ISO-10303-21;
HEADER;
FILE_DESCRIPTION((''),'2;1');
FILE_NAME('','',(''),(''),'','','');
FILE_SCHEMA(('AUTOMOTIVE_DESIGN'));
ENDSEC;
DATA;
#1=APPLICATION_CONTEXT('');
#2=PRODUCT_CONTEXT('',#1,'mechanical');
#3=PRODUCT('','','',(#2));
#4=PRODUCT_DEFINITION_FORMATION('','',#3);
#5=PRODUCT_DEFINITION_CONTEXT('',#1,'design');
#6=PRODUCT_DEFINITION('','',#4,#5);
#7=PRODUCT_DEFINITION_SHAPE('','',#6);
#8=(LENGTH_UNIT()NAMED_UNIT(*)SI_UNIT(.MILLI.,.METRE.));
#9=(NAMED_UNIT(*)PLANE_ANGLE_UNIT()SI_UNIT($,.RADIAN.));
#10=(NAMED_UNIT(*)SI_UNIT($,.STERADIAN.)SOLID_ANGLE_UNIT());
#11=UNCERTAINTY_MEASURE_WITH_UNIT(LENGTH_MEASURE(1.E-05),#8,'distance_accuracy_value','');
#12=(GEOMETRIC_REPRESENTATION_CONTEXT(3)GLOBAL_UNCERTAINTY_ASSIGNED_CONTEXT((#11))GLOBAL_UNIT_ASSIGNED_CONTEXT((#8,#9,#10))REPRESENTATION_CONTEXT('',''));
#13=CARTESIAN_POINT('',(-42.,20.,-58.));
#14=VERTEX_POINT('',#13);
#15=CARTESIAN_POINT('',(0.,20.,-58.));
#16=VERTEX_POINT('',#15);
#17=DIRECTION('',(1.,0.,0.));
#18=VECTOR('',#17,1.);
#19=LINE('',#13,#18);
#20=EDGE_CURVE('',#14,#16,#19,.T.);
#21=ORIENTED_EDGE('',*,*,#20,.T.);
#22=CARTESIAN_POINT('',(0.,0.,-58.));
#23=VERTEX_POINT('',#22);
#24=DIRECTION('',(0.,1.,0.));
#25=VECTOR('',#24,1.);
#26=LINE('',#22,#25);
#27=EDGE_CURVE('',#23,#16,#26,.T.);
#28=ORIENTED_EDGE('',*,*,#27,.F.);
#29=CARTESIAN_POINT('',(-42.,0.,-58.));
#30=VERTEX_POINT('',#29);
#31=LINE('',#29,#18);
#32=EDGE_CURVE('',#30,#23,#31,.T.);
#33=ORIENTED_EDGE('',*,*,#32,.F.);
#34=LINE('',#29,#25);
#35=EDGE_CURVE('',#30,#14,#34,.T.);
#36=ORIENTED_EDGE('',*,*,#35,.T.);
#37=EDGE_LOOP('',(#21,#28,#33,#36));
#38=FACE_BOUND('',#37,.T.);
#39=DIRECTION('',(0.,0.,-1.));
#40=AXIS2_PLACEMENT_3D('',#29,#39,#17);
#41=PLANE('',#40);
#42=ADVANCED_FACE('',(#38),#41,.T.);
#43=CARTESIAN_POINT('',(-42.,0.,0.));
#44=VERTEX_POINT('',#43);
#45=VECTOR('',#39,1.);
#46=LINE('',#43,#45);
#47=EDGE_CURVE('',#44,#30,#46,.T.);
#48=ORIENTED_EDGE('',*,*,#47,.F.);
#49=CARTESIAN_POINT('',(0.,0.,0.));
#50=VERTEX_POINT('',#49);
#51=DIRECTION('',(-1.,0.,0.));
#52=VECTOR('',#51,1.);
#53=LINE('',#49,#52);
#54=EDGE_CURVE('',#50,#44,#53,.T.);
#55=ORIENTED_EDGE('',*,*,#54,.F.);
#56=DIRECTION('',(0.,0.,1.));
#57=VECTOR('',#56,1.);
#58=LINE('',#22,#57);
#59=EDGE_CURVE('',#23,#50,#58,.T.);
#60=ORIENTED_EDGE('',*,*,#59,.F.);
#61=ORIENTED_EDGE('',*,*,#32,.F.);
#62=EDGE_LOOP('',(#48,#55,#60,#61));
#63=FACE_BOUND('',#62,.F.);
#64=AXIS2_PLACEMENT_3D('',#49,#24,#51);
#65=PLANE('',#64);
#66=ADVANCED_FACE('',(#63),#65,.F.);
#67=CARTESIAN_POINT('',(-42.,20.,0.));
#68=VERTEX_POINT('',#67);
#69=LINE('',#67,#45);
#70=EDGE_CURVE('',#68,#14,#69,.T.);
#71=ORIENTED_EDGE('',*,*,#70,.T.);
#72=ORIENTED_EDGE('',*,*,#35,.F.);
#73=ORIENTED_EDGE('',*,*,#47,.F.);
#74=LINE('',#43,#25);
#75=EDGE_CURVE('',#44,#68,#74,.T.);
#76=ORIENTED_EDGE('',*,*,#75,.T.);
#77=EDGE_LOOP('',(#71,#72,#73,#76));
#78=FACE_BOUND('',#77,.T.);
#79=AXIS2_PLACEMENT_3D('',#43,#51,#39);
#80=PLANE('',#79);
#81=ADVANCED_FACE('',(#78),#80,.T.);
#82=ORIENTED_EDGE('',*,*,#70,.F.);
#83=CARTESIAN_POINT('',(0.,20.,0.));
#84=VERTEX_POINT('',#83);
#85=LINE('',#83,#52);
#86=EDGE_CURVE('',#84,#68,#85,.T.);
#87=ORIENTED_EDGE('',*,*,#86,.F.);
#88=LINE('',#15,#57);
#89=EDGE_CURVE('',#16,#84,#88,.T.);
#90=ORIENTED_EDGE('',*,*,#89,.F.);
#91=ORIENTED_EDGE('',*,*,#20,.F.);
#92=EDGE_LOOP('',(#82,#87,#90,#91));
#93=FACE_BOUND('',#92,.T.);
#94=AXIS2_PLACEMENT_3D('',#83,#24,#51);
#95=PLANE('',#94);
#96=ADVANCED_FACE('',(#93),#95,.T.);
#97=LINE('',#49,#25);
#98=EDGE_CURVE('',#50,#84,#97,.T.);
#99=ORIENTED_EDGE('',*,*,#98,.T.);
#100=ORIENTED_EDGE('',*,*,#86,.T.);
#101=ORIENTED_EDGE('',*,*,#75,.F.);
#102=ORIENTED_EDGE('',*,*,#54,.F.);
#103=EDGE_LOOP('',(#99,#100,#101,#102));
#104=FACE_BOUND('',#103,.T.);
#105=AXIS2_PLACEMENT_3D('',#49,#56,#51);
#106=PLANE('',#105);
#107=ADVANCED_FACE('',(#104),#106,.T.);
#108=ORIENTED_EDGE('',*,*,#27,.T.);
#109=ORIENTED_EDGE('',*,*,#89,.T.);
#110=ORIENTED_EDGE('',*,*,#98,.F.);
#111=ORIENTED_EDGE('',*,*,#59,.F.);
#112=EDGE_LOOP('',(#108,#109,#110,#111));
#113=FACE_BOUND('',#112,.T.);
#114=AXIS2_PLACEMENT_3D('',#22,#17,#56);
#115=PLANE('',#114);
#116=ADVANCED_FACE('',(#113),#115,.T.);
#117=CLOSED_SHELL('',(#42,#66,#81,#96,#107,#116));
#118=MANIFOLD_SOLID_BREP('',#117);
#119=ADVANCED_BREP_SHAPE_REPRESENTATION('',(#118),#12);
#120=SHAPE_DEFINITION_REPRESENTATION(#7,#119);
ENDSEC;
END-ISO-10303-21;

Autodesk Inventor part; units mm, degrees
ref_plane "YZ Plane" through (0, 0, 0) normal (1, 0, 0) x (0, 1, 0)
ref_plane "XZ Plane" through (0, 0, 0) normal (0, 1, 0) x (-1, 0, 0)
ref_plane "XY Plane" through (0, 0, 0) normal (0, 0, 1) x (1, 0, 0)
sketch "Sketch1" plane through (0, 0, 0) normal (0, 1, 0) x (-1, 0, 0)
  line L0 (0, 0) -> (42, 0)
  line L1 (42, 0) -> (42, -58)
  line L2 (42, -58) -> (0, -58)
  line L3 (0, -58) -> (0, 0)
  dimension "d0" = 58
  dimension "d1" = 42
extrude "Extrusion1" add sketch "Sketch1" along normal blind 20
sketch "Sketch2" plane through (0, 20, 0) normal (0, 1, 0) x (1, 0, 0)
  line L0 (-29.2926, 35.5201) -> (-17.3649, 35.5201) construction
  line L1 (-17.3649, 35.5201) -> (-17.3649, 9.1969) construction
  line L2 (-17.3649, 9.1969) -> (-29.2926, 9.1969) construction
  line L3 (-29.2926, 9.1969) -> (-29.2926, 35.5201) construction
  spline S0 degree 2 poles (-27.9624, 31.884) (-28.3424, 31.884) (-28.8757, 32.0428) (-29.1111, 32.1562) knots 0 0 0 1 2 2 2
  line L4 (-29.1111, 32.1562) -> (-29.1111, 32.7405)
  line L5 (-29.1111, 32.7405) -> (-29.077, 32.7405)
  spline S1 degree 2 poles (-29.077, 32.7405) (-28.8473, 32.525) (-28.2658, 32.2867) (-27.9964, 32.2867) knots 0 0 0 1 2 2 2
  spline S2 degree 2 poles (-27.9964, 32.2867) (-27.6107, 32.2867) (-27.2164, 32.6072) (-27.2164, 32.871) knots 0 0 0 1 2 2 2
  spline S3 degree 2 poles (-27.2164, 32.871) (-27.2164, 33.0809) (-27.4235, 33.3418) (-27.6475, 33.4071) knots 0 0 0 1 2 2 2
  spline S4 degree 2 poles (-27.6475, 33.4071) (-27.8092, 33.4524) (-28.0787, 33.5148) (-28.28, 33.5659) knots 0 0 0 1 2 2 2
  spline S5 degree 2 poles (-28.28, 33.5659) (-28.4616, 33.6141) (-28.748, 33.7588) (-28.8586, 33.875) knots 0 0 0 1 2 2 2
  spline S6 degree 2 poles (-28.8586, 33.875) (-28.9664, 33.9913) (-29.0855, 34.3033) (-29.0855, 34.5075) knots 0 0 0 1 2 2 2
  spline S7 degree 2 poles (-29.0855, 34.5075) (-29.0855, 34.933) (-28.4218, 35.5088) (-27.9085, 35.5088) knots 0 0 0 1 2 2 2
  spline S8 degree 2 poles (-27.9085, 35.5088) (-27.6135, 35.5088) (-27.0916, 35.3925) (-26.8675, 35.2819) knots 0 0 0 1 2 2 2
  line L6 (-26.8675, 35.2819) -> (-26.8675, 34.7259)
  line L7 (-26.8675, 34.7259) -> (-26.9016, 34.7259)
  spline S9 degree 2 poles (-26.9016, 34.7259) (-27.0689, 34.8791) (-27.5908, 35.106) (-27.8773, 35.106) knots 0 0 0 1 2 2 2
  spline S10 degree 2 poles (-27.8773, 35.106) (-28.2006, 35.106) (-28.6005, 34.8025) (-28.6005, 34.5558) knots 0 0 0 1 2 2 2
  spline S11 degree 2 poles (-28.6005, 34.5558) (-28.6005, 34.3345) (-28.3651, 34.0707) (-28.1439, 34.0112) knots 0 0 0 1 2 2 2
  spline S12 degree 2 poles (-28.1439, 34.0112) (-27.9964, 33.9715) (-27.5681, 33.8694) (-27.4263, 33.8268) knots 0 0 0 1 2 2 2
  spline S13 degree 2 poles (-27.4263, 33.8268) (-27.0661, 33.7162) (-26.7314, 33.2709) (-26.7314, 32.9447) knots 0 0 0 1 2 2 2
  spline S14 degree 2 poles (-26.7314, 32.9447) (-26.7314, 32.7377) (-26.8987, 32.3406) (-27.0491, 32.2016) knots 0 0 0 1 2 2 2
  spline S15 degree 2 poles (-27.0491, 32.2016) (-27.2164, 32.0485) (-27.6419, 31.884) (-27.9624, 31.884) knots 0 0 0 1 2 2 2
  line L8 (-26.2577, 31.9464) -> (-26.2577, 35.4464)
  line L9 (-26.2577, 35.4464) -> (-24.0681, 35.4464)
  line L10 (-24.0681, 35.4464) -> (-24.0681, 35.0323)
  line L11 (-24.0681, 35.0323) -> (-25.7926, 35.0323)
  line L12 (-25.7926, 35.0323) -> (-25.7926, 34.0736)
  line L13 (-25.7926, 34.0736) -> (-24.1844, 34.0736)
  line L14 (-24.1844, 34.0736) -> (-24.1844, 33.6595)
  line L15 (-24.1844, 33.6595) -> (-25.7926, 33.6595)
  line L16 (-25.7926, 33.6595) -> (-25.7926, 32.3605)
  line L17 (-25.7926, 32.3605) -> (-24.0681, 32.3605)
  line L18 (-24.0681, 32.3605) -> (-24.0681, 31.9464)
  line L19 (-24.0681, 31.9464) -> (-26.2577, 31.9464)
  line L20 (-20.8489, 31.9464) -> (-21.453, 31.9464)
  line L21 (-21.453, 31.9464) -> (-22.5592, 33.339)
  line L22 (-22.5592, 33.339) -> (-23.0924, 33.339)
  line L23 (-23.0924, 33.339) -> (-23.0924, 31.9464)
  line L24 (-23.0924, 31.9464) -> (-23.5576, 31.9464)
  line L25 (-23.5576, 31.9464) -> (-23.5576, 35.4464)
  line L26 (-23.5576, 35.4464) -> (-22.6556, 35.4464)
  spline S16 degree 2 poles (-22.6556, 35.4464) (-22.355, 35.4464) (-21.9494, 35.3811) (-21.765, 35.262) knots 0 0 0 1 2 2 2
  spline S17 degree 2 poles (-21.765, 35.262) (-21.5807, 35.1429) (-21.368, 34.7713) (-21.368, 34.4962) knots 0 0 0 1 2 2 2
  spline S18 degree 2 poles (-21.368, 34.4962) (-21.368, 34.1133) (-21.7594, 33.5943) (-22.094, 33.4695) knots 0 0 0 1 2 2 2
  line L27 (-22.094, 33.4695) -> (-20.8489, 31.9464)
  spline S19 degree 2 poles (-21.853, 34.4593) (-21.853, 34.6125) (-21.9607, 34.8479) (-22.0742, 34.9245) knots 0 0 0 1 2 2 2
  spline S20 degree 2 poles (-22.0742, 34.9245) (-22.1735, 34.9897) (-22.4372, 35.0436) (-22.6301, 35.0436) knots 0 0 0 1 2 2 2
  line L28 (-22.6301, 35.0436) -> (-23.0924, 35.0436)
  line L29 (-23.0924, 35.0436) -> (-23.0924, 33.7276)
  line L30 (-23.0924, 33.7276) -> (-22.684, 33.7276)
  spline S21 degree 2 poles (-22.684, 33.7276) (-22.4826, 33.7276) (-22.1621, 33.7985) (-22.0515, 33.9091) knots 0 0 0 1 2 2 2
  spline S22 degree 2 poles (-22.0515, 33.9091) (-21.9494, 34.0055) (-21.853, 34.2778) (-21.853, 34.4593) knots 0 0 0 1 2 2 2
  line L31 (-18.0325, 35.4464) -> (-19.2379, 31.9464)
  line L32 (-19.2379, 31.9464) -> (-19.7399, 31.9464)
  line L33 (-19.7399, 31.9464) -> (-20.9453, 35.4464)
  line L34 (-20.9453, 35.4464) -> (-20.4462, 35.4464)
  line L35 (-20.4462, 35.4464) -> (-19.4761, 32.5391)
  line L36 (-19.4761, 32.5391) -> (-18.5061, 35.4464)
  line L37 (-18.5061, 35.4464) -> (-18.0325, 35.4464)
  spline S23 degree 2 poles (-15.2217, 35.0464) (-15.0231, 34.8139) (-14.8019, 34.1331) (-14.8019, 33.6964) knots 0 0 0 1 2 2 2
  spline S24 degree 2 poles (-14.8019, 33.6964) (-14.8019, 33.2709) (-15.0175, 32.5817) (-15.2217, 32.3491) knots 0 0 0 1 2 2 2
  spline S25 degree 2 poles (-15.2217, 32.3491) (-15.4372, 32.1052) (-16.0073, 31.8726) (-16.3505, 31.8726) knots 0 0 0 1 2 2 2
  spline S26 degree 2 poles (-16.3505, 31.8726) (-16.7051, 31.8726) (-17.2723, 32.1137) (-17.4794, 32.3491) knots 0 0 0 1 2 2 2
  spline S27 degree 2 poles (-17.4794, 32.3491) (-17.6808, 32.5817) (-17.8963, 33.2652) (-17.8963, 33.6964) knots 0 0 0 1 2 2 2
  spline S28 degree 2 poles (-17.8963, 33.6964) (-17.8963, 34.136) (-17.6779, 34.8054) (-17.4765, 35.0464) knots 0 0 0 1 2 2 2
  spline S29 degree 2 poles (-17.4765, 35.0464) (-17.2723, 35.279) (-16.7022, 35.5201) (-16.3505, 35.5201) knots 0 0 0 1 2 2 2
  spline S30 degree 2 poles (-16.3505, 35.5201) (-15.9932, 35.5201) (-15.4202, 35.2705) (-15.2217, 35.0464) knots 0 0 0 1 2 2 2
  spline S31 degree 2 poles (-15.2869, 33.6964) (-15.2869, 34.0424) (-15.4372, 34.5784) (-15.5734, 34.7543) knots 0 0 0 1 2 2 2
  spline S32 degree 2 poles (-15.5734, 34.7543) (-15.7124, 34.9358) (-16.1038, 35.1173) (-16.3477, 35.1173) knots 0 0 0 1 2 2 2
  spline S33 degree 2 poles (-16.3477, 35.1173) (-16.6001, 35.1173) (-16.9802, 34.9415) (-17.1248, 34.7543) knots 0 0 0 1 2 2 2
  spline S34 degree 2 poles (-17.1248, 34.7543) (-17.2638, 34.5756) (-17.4113, 34.0367) (-17.4113, 33.6964) knots 0 0 0 1 2 2 2
  spline S35 degree 2 poles (-17.4113, 33.6964) (-17.4113, 33.0071) (-16.8327, 32.2754) (-16.3477, 32.2754) knots 0 0 0 1 2 2 2
  spline S36 degree 2 poles (-16.3477, 32.2754) (-15.8627, 32.2754) (-15.2869, 33.0071) (-15.2869, 33.6964) knots 0 0 0 1 2 2 2
  spline S37 degree 2 poles (-26.1783, 27.9309) (-26.1783, 27.4515) (-26.5669, 26.6801) (-26.8931, 26.4645) knots 0 0 0 1 2 2 2
  spline S38 degree 2 poles (-26.8931, 26.4645) (-27.1597, 26.2972) (-27.7071, 26.1837) (-28.1325, 26.1837) knots 0 0 0 1 2 2 2
  line L38 (-28.1325, 26.1837) -> (-28.9381, 26.1837)
  line L39 (-28.9381, 26.1837) -> (-28.9381, 29.6837)
  line L40 (-28.9381, 29.6837) -> (-28.141, 29.6837)
  spline S39 degree 2 poles (-28.141, 29.6837) (-27.6475, 29.6837) (-27.0859, 29.5362) (-26.8874, 29.4057) knots 0 0 0 1 2 2 2
  spline S40 degree 2 poles (-26.8874, 29.4057) (-26.5499, 29.1817) (-26.1783, 28.4414) (-26.1783, 27.9309) knots 0 0 0 1 2 2 2
  spline S41 degree 2 poles (-26.6633, 27.9365) (-26.6633, 28.3393) (-26.9299, 28.9094) (-27.1937, 29.0711) knots 0 0 0 1 2 2 2
  spline S42 degree 2 poles (-27.1937, 29.0711) (-27.3809, 29.1817) (-27.8035, 29.2809) (-28.1184, 29.2809) knots 0 0 0 1 2 2 2
  line L41 (-28.1184, 29.2809) -> (-28.4729, 29.2809)
  line L42 (-28.4729, 29.2809) -> (-28.4729, 26.5865)
  line L43 (-28.4729, 26.5865) -> (-28.1184, 26.5865)
  spline S43 degree 2 poles (-28.1184, 26.5865) (-27.8092, 26.5865) (-27.3412, 26.6857) (-27.1512, 26.819) knots 0 0 0 1 2 2 2
  spline S44 degree 2 poles (-27.1512, 26.819) (-26.9073, 26.9835) (-26.6633, 27.5281) (-26.6633, 27.9365) knots 0 0 0 1 2 2 2
  line L44 (-22.9648, 26.1837) -> (-23.5689, 26.1837)
  line L45 (-23.5689, 26.1837) -> (-24.6751, 27.5763)
  line L46 (-24.6751, 27.5763) -> (-25.2083, 27.5763)
  line L47 (-25.2083, 27.5763) -> (-25.2083, 26.1837)
  line L48 (-25.2083, 26.1837) -> (-25.6735, 26.1837)
  line L49 (-25.6735, 26.1837) -> (-25.6735, 29.6837)
  line L50 (-25.6735, 29.6837) -> (-24.7715, 29.6837)
  spline S45 degree 2 poles (-24.7715, 29.6837) (-24.4709, 29.6837) (-24.0653, 29.6185) (-23.8809, 29.4993) knots 0 0 0 1 2 2 2
  spline S46 degree 2 poles (-23.8809, 29.4993) (-23.6966, 29.3802) (-23.4838, 29.0087) (-23.4838, 28.7335) knots 0 0 0 1 2 2 2
  spline S47 degree 2 poles (-23.4838, 28.7335) (-23.4838, 28.3506) (-23.8752, 27.8316) (-24.2099, 27.7068) knots 0 0 0 1 2 2 2
  line L51 (-24.2099, 27.7068) -> (-22.9648, 26.1837)
  spline S48 degree 2 poles (-23.9688, 28.6967) (-23.9688, 28.8498) (-24.0766, 29.0852) (-24.1901, 29.1618) knots 0 0 0 1 2 2 2
  spline S49 degree 2 poles (-24.1901, 29.1618) (-24.2893, 29.2271) (-24.5531, 29.2809) (-24.746, 29.2809) knots 0 0 0 1 2 2 2
  line L52 (-24.746, 29.2809) -> (-25.2083, 29.2809)
  line L53 (-25.2083, 29.2809) -> (-25.2083, 27.9649)
  line L54 (-25.2083, 27.9649) -> (-24.7999, 27.9649)
  spline S50 degree 2 poles (-24.7999, 27.9649) (-24.5985, 27.9649) (-24.278, 28.0358) (-24.1674, 28.1464) knots 0 0 0 1 2 2 2
  spline S51 degree 2 poles (-24.1674, 28.1464) (-24.0653, 28.2429) (-23.9688, 28.5151) (-23.9688, 28.6967) knots 0 0 0 1 2 2 2
  line L55 (-21.4672, 26.1837) -> (-22.823, 26.1837)
  line L56 (-22.823, 26.1837) -> (-22.823, 26.5411)
  line L57 (-22.823, 26.5411) -> (-22.3777, 26.5411)
  line L58 (-22.3777, 26.5411) -> (-22.3777, 29.3263)
  line L59 (-22.3777, 29.3263) -> (-22.823, 29.3263)
  line L60 (-22.823, 29.3263) -> (-22.823, 29.6837)
  line L61 (-22.823, 29.6837) -> (-21.4672, 29.6837)
  line L62 (-21.4672, 29.6837) -> (-21.4672, 29.3263)
  line L63 (-21.4672, 29.3263) -> (-21.9125, 29.3263)
  line L64 (-21.9125, 29.3263) -> (-21.9125, 26.5411)
  line L65 (-21.9125, 26.5411) -> (-21.4672, 26.5411)
  line L66 (-21.4672, 26.5411) -> (-21.4672, 26.1837)
  line L67 (-18.353, 29.6837) -> (-19.5584, 26.1837)
  line L68 (-19.5584, 26.1837) -> (-20.0604, 26.1837)
  line L69 (-20.0604, 26.1837) -> (-21.2658, 29.6837)
  line L70 (-21.2658, 29.6837) -> (-20.7667, 29.6837)
  line L71 (-20.7667, 29.6837) -> (-19.7966, 26.7765)
  line L72 (-19.7966, 26.7765) -> (-18.8266, 29.6837)
  line L73 (-18.8266, 29.6837) -> (-18.353, 29.6837)
  line L74 (-18.0183, 26.1837) -> (-18.0183, 29.6837)
  line L75 (-18.0183, 29.6837) -> (-15.8287, 29.6837)
  line L76 (-15.8287, 29.6837) -> (-15.8287, 29.2696)
  line L77 (-15.8287, 29.2696) -> (-17.5531, 29.2696)
  line L78 (-17.5531, 29.2696) -> (-17.5531, 28.3109)
  line L79 (-17.5531, 28.3109) -> (-15.9449, 28.3109)
  line L80 (-15.9449, 28.3109) -> (-15.9449, 27.8968)
  line L81 (-15.9449, 27.8968) -> (-17.5531, 27.8968)
  line L82 (-17.5531, 27.8968) -> (-17.5531, 26.5978)
  line L83 (-17.5531, 26.5978) -> (-15.8287, 26.5978)
  line L84 (-15.8287, 26.5978) -> (-15.8287, 26.1837)
  line L85 (-15.8287, 26.1837) -> (-18.0183, 26.1837)
  line L86 (-12.6094, 26.1837) -> (-13.2136, 26.1837)
  line L87 (-13.2136, 26.1837) -> (-14.3197, 27.5763)
  line L88 (-14.3197, 27.5763) -> (-14.853, 27.5763)
  line L89 (-14.853, 27.5763) -> (-14.853, 26.1837)
  line L90 (-14.853, 26.1837) -> (-15.3181, 26.1837)
  line L91 (-15.3181, 26.1837) -> (-15.3181, 29.6837)
  line L92 (-15.3181, 29.6837) -> (-14.4162, 29.6837)
  spline S52 degree 2 poles (-14.4162, 29.6837) (-14.1155, 29.6837) (-13.7099, 29.6185) (-13.5256, 29.4993) knots 0 0 0 1 2 2 2
  spline S53 degree 2 poles (-13.5256, 29.4993) (-13.3412, 29.3802) (-13.1285, 29.0087) (-13.1285, 28.7335) knots 0 0 0 1 2 2 2
  spline S54 degree 2 poles (-13.1285, 28.7335) (-13.1285, 28.3506) (-13.5199, 27.8316) (-13.8546, 27.7068) knots 0 0 0 1 2 2 2
  line L93 (-13.8546, 27.7068) -> (-12.6094, 26.1837)
  spline S55 degree 2 poles (-13.6135, 28.6967) (-13.6135, 28.8498) (-13.7213, 29.0852) (-13.8347, 29.1618) knots 0 0 0 1 2 2 2
  spline S56 degree 2 poles (-13.8347, 29.1618) (-13.934, 29.2271) (-14.1978, 29.2809) (-14.3906, 29.2809) knots 0 0 0 1 2 2 2
  line L94 (-14.3906, 29.2809) -> (-14.853, 29.2809)
  line L95 (-14.853, 29.2809) -> (-14.853, 27.9649)
  line L96 (-14.853, 27.9649) -> (-14.4445, 27.9649)
  spline S57 degree 2 poles (-14.4445, 27.9649) (-14.2432, 27.9649) (-13.9227, 28.0358) (-13.812, 28.1464) knots 0 0 0 1 2 2 2
  spline S58 degree 2 poles (-13.812, 28.1464) (-13.7099, 28.2429) (-13.6135, 28.5151) (-13.6135, 28.6967) knots 0 0 0 1 2 2 2
  point P0 (0, 0)
extrude "Extrusion2" add sketch "Sketch2" against normal blind 1
properties part number "Servo_Driver"
